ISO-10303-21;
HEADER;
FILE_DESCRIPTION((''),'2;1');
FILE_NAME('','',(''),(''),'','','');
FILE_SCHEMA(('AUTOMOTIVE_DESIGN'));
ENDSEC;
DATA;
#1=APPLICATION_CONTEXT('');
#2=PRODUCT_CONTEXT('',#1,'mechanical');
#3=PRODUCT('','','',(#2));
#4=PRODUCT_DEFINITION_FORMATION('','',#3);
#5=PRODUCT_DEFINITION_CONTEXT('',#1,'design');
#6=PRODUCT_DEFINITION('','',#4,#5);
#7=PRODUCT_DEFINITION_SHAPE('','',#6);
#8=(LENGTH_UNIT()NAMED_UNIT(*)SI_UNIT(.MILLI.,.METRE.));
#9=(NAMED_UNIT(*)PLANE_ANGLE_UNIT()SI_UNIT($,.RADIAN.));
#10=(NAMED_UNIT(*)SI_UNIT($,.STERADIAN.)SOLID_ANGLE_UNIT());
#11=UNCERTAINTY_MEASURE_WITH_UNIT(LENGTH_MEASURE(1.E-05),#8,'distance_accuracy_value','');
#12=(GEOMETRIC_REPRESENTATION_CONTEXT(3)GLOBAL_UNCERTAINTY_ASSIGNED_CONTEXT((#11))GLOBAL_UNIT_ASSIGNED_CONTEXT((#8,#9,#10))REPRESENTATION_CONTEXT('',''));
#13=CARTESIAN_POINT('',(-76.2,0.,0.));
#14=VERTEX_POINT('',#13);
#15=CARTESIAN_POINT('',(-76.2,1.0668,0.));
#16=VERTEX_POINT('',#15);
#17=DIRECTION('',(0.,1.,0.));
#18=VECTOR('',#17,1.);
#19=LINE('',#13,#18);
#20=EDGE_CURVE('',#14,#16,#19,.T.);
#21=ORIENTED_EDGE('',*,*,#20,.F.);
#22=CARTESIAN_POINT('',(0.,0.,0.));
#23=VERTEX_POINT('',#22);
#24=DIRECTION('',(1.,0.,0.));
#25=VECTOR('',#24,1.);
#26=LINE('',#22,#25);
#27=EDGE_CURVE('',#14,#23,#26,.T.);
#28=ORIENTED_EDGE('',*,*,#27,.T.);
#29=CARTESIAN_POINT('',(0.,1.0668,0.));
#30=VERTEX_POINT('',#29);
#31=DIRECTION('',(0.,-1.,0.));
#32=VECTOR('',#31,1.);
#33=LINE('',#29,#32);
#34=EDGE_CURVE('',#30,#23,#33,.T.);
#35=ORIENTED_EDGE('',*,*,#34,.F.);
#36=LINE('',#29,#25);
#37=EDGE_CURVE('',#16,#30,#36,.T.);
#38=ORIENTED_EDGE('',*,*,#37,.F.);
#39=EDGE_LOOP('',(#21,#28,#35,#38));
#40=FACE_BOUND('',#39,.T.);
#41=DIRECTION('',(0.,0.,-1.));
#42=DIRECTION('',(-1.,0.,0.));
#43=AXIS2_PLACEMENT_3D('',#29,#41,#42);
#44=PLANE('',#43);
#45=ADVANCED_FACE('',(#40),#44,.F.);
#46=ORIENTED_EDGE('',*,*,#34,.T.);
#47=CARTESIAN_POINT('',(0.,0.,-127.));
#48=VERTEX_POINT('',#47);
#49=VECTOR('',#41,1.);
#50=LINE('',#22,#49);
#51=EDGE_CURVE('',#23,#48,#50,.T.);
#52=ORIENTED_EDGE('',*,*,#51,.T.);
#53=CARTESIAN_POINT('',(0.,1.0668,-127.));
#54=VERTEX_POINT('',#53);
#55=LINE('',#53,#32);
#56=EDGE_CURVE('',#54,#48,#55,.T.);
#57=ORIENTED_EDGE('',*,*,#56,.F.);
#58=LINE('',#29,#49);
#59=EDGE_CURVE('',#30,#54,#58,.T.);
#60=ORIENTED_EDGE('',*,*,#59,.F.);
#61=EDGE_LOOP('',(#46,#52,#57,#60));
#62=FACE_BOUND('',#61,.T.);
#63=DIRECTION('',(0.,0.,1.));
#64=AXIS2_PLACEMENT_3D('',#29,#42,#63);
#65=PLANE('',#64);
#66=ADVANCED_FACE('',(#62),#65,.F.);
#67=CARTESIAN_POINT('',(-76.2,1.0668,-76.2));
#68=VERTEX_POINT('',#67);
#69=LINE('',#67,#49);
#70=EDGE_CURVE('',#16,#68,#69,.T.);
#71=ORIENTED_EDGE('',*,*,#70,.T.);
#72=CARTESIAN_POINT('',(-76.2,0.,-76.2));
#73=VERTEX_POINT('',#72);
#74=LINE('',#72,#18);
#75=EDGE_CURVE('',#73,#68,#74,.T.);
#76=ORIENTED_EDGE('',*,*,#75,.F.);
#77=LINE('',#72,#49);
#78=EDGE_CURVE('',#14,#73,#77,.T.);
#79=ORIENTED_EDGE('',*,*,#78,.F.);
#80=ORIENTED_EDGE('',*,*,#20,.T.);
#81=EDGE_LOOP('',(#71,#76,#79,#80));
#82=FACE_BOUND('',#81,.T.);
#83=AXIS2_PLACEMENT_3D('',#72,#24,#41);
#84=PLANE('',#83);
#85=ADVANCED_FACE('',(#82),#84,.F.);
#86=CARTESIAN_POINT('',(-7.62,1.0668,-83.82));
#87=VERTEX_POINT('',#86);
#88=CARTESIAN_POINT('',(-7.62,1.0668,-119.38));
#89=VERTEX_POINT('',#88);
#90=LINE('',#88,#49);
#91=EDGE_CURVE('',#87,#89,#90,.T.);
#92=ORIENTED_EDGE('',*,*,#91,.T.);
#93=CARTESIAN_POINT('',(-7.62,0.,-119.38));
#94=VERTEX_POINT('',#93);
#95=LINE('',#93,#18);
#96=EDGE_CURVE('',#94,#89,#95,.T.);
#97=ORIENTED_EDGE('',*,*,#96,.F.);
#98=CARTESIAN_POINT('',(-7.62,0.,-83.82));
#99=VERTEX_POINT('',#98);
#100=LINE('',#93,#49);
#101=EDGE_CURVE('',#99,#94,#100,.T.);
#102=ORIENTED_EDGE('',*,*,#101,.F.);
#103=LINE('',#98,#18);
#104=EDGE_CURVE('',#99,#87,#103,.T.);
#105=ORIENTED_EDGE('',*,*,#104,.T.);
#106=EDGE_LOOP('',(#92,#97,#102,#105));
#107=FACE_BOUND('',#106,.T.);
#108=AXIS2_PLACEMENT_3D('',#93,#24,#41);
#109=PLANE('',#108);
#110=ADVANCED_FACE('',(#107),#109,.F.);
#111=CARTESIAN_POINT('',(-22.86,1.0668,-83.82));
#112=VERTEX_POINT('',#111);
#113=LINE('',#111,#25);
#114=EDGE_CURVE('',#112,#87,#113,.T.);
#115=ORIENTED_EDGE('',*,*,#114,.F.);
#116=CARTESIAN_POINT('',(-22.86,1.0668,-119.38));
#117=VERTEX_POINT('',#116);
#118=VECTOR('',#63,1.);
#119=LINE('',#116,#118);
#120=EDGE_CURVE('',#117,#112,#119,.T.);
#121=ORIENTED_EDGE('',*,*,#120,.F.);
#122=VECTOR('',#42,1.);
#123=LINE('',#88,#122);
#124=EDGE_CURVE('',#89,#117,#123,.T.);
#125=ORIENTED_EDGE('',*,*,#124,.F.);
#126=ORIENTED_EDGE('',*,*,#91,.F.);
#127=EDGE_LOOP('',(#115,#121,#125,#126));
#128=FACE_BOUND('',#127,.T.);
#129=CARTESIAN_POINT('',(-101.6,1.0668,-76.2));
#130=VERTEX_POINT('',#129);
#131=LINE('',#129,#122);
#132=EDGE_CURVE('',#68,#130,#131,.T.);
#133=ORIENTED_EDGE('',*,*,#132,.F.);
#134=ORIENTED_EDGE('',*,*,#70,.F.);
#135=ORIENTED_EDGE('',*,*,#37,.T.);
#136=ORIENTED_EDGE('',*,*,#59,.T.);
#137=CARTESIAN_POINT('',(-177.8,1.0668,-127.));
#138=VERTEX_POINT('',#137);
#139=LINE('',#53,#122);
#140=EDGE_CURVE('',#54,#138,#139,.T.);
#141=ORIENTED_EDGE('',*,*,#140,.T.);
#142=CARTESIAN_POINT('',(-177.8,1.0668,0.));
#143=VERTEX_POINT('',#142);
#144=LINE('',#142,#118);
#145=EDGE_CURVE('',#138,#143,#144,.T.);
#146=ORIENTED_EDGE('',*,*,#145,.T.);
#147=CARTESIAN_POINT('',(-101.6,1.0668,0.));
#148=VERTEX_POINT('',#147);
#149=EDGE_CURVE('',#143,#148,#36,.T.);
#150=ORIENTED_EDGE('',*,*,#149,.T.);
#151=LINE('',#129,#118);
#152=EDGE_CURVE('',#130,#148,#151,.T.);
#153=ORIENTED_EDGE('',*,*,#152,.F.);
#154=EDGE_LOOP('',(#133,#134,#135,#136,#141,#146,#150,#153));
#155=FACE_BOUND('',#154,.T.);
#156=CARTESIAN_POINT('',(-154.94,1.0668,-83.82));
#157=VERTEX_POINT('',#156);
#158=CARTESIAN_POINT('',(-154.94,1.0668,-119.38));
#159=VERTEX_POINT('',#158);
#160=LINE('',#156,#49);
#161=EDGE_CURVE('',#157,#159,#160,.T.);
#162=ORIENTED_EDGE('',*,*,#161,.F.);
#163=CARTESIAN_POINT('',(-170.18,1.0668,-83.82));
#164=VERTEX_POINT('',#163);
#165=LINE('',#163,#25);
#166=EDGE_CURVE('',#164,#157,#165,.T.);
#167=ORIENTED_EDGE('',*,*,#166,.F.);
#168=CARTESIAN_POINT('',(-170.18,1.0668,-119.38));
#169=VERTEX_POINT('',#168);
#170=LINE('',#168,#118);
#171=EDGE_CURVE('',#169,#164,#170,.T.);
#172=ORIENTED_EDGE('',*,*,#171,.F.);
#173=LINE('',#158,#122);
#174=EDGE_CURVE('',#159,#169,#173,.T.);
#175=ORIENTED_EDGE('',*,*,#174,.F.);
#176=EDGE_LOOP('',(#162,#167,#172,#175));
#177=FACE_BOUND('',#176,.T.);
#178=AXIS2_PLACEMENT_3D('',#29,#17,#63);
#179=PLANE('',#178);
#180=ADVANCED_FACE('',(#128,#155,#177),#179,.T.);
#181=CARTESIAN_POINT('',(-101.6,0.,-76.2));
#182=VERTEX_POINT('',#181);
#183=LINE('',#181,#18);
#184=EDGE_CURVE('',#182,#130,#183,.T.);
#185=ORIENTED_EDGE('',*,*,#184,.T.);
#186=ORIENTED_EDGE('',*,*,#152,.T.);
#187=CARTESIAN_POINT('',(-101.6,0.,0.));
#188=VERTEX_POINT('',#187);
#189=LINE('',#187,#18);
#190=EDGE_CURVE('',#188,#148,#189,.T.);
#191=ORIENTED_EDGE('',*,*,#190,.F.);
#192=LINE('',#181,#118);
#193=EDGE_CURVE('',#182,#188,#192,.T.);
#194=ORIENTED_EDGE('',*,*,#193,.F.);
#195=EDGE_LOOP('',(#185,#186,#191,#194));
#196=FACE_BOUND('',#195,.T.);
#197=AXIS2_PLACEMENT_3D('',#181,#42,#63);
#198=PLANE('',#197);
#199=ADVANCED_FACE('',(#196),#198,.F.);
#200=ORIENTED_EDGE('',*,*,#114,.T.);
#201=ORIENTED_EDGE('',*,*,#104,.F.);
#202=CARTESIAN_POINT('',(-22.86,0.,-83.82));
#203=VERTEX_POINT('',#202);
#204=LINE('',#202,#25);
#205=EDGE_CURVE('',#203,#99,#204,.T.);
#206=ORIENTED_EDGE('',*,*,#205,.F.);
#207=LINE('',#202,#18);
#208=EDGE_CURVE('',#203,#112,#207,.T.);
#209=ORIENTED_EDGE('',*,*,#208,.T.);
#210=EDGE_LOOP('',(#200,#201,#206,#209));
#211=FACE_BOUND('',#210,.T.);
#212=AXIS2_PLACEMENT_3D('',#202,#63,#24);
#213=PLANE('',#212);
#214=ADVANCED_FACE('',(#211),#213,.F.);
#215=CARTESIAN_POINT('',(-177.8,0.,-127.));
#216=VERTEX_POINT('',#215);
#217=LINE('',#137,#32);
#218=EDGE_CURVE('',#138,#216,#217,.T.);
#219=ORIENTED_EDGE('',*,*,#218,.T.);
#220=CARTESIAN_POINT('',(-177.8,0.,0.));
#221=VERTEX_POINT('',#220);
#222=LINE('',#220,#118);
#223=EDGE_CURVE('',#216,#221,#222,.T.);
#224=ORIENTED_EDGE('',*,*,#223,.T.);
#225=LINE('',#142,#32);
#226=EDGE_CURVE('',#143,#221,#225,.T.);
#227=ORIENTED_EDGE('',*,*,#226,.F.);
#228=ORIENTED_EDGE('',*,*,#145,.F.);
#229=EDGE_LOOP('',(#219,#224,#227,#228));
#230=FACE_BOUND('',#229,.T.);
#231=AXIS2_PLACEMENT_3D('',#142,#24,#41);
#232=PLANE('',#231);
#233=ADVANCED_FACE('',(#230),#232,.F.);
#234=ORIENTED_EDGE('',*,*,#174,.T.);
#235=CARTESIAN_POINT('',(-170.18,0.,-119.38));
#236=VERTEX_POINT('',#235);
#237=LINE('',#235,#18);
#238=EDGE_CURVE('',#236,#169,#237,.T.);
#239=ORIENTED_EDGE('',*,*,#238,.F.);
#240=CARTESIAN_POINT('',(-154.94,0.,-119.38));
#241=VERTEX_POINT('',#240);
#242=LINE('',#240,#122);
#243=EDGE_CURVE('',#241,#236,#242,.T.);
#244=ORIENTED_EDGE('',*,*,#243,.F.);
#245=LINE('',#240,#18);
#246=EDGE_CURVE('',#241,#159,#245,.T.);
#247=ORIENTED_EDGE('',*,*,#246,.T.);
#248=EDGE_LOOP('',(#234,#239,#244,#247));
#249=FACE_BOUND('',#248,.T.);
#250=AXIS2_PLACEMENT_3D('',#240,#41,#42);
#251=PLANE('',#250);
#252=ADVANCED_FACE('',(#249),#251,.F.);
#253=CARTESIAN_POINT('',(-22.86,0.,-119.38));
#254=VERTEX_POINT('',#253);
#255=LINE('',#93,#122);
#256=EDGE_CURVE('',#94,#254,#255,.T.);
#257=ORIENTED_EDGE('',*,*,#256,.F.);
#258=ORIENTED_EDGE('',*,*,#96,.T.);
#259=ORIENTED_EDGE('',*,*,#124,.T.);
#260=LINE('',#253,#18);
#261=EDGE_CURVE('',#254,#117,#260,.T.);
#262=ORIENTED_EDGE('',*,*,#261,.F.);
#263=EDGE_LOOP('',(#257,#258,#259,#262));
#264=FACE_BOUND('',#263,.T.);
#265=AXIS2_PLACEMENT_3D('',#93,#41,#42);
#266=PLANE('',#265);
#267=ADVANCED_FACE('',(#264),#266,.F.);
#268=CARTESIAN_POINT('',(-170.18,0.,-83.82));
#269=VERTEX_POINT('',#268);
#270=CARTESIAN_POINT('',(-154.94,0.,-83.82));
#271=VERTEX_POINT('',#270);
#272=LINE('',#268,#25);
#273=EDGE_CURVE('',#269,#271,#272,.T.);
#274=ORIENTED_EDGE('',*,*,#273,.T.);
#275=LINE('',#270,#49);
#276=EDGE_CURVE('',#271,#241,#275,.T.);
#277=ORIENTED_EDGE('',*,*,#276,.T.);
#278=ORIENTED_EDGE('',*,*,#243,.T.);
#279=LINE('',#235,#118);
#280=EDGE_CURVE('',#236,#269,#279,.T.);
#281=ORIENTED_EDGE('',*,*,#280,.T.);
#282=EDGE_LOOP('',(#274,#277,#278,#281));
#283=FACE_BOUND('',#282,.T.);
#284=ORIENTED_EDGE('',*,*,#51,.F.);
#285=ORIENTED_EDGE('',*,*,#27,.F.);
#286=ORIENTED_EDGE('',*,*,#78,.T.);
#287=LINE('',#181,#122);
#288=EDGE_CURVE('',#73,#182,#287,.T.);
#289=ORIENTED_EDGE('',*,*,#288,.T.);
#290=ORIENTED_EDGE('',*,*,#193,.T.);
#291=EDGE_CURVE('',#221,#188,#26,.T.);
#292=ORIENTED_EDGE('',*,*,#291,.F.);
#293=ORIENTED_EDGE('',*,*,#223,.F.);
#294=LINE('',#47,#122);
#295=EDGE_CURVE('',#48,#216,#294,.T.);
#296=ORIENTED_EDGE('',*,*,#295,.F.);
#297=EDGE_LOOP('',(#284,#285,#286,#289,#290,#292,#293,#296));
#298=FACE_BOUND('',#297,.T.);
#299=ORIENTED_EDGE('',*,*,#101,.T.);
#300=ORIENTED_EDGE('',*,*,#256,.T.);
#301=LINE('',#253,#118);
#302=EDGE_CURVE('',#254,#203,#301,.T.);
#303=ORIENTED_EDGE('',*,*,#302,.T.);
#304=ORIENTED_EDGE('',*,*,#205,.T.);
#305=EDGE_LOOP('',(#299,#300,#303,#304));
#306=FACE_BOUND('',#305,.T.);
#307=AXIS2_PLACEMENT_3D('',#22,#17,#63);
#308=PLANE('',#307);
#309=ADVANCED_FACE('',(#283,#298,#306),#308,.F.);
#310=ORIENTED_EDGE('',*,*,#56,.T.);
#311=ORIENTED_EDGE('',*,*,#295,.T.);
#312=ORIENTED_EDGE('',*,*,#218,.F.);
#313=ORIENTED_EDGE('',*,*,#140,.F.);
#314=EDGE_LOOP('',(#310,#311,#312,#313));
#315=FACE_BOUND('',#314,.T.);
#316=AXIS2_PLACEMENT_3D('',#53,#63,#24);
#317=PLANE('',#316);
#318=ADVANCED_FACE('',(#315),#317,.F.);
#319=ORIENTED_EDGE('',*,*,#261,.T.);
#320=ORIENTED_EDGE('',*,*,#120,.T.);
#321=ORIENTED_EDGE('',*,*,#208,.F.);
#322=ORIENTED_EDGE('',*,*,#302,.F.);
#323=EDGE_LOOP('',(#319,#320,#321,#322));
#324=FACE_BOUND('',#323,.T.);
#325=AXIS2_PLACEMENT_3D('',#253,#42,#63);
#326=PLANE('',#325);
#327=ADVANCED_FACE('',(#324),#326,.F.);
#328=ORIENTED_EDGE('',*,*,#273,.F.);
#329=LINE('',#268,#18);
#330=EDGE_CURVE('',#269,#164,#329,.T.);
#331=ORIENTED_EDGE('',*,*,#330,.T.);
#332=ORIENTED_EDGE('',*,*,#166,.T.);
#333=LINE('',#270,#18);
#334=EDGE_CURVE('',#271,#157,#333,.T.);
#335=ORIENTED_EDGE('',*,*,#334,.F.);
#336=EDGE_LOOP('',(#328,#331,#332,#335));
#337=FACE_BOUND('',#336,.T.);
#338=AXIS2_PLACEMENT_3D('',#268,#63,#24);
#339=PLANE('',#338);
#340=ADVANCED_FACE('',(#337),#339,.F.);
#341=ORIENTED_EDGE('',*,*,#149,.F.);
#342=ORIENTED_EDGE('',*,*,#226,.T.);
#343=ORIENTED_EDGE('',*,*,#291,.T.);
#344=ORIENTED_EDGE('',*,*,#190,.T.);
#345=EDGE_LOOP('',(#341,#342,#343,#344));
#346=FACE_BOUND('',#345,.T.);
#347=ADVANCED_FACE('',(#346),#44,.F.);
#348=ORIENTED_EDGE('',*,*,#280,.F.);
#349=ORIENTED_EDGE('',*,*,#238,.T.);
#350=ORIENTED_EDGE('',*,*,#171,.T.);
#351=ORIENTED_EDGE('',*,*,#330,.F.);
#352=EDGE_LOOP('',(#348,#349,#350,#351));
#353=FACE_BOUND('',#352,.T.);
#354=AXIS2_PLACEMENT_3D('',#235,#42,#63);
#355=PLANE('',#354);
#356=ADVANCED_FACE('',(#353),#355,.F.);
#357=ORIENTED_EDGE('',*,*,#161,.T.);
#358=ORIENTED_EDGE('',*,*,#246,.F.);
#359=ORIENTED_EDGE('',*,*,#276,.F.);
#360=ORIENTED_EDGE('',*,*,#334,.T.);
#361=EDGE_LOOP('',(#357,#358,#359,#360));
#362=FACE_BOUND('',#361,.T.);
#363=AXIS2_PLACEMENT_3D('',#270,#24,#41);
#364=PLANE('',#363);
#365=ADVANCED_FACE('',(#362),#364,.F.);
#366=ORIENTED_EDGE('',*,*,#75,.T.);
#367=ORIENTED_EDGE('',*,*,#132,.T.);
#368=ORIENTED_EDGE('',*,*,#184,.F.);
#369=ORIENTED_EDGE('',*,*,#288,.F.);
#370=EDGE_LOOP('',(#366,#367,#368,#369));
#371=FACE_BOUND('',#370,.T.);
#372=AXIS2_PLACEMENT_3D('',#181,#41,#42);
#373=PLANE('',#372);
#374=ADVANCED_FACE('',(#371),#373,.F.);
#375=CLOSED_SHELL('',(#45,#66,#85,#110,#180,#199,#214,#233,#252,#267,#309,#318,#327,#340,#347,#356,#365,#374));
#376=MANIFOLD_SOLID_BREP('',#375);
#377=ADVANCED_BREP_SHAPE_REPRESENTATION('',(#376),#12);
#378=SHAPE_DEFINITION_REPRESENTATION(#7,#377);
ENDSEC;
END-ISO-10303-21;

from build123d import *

# Parameters (mm, degrees)
SKETCH1_W           = 177.8
SKETCH1_H           = 127
BOSS_EXTRUDE1_DEPTH = 1.0668
SKETCH2_W           = 25.4
SKETCH2_H           = 76.2
SKETCH2_W_2         = 15.24
SKETCH2_H_2         = 35.56
CUT_EXTRUDE1_DEPTH  = 219.50166604


with BuildPart() as part:
    # Sketch1 → Boss-Extrude1 (new body)
    with BuildSketch(Plane(origin=(0, 0, 0), x_dir=(1, 0, 0), z_dir=(0, 1, 0))):
        with Locations((-88.9, 63.5)):
            Rectangle(SKETCH1_W, SKETCH1_H)
    extrude(amount=BOSS_EXTRUDE1_DEPTH)

    # Sketch2 → Cut-Extrude1 (cut, through all)
    with BuildSketch(Plane(origin=(0, 1.0668, 0), x_dir=(1, 0, 0), z_dir=(0, 1, 0))):
        with Locations((-88.9, 38.1)):
            Rectangle(SKETCH2_W, SKETCH2_H)
        with Locations((-162.56, 101.6)):
            Rectangle(SKETCH2_W_2, SKETCH2_H_2)
        with Locations((-15.24, 101.6)):
            Rectangle(SKETCH2_W_2, SKETCH2_H_2)
    extrude(amount=-CUT_EXTRUDE1_DEPTH, mode=Mode.SUBTRACT)


solid = part.part
